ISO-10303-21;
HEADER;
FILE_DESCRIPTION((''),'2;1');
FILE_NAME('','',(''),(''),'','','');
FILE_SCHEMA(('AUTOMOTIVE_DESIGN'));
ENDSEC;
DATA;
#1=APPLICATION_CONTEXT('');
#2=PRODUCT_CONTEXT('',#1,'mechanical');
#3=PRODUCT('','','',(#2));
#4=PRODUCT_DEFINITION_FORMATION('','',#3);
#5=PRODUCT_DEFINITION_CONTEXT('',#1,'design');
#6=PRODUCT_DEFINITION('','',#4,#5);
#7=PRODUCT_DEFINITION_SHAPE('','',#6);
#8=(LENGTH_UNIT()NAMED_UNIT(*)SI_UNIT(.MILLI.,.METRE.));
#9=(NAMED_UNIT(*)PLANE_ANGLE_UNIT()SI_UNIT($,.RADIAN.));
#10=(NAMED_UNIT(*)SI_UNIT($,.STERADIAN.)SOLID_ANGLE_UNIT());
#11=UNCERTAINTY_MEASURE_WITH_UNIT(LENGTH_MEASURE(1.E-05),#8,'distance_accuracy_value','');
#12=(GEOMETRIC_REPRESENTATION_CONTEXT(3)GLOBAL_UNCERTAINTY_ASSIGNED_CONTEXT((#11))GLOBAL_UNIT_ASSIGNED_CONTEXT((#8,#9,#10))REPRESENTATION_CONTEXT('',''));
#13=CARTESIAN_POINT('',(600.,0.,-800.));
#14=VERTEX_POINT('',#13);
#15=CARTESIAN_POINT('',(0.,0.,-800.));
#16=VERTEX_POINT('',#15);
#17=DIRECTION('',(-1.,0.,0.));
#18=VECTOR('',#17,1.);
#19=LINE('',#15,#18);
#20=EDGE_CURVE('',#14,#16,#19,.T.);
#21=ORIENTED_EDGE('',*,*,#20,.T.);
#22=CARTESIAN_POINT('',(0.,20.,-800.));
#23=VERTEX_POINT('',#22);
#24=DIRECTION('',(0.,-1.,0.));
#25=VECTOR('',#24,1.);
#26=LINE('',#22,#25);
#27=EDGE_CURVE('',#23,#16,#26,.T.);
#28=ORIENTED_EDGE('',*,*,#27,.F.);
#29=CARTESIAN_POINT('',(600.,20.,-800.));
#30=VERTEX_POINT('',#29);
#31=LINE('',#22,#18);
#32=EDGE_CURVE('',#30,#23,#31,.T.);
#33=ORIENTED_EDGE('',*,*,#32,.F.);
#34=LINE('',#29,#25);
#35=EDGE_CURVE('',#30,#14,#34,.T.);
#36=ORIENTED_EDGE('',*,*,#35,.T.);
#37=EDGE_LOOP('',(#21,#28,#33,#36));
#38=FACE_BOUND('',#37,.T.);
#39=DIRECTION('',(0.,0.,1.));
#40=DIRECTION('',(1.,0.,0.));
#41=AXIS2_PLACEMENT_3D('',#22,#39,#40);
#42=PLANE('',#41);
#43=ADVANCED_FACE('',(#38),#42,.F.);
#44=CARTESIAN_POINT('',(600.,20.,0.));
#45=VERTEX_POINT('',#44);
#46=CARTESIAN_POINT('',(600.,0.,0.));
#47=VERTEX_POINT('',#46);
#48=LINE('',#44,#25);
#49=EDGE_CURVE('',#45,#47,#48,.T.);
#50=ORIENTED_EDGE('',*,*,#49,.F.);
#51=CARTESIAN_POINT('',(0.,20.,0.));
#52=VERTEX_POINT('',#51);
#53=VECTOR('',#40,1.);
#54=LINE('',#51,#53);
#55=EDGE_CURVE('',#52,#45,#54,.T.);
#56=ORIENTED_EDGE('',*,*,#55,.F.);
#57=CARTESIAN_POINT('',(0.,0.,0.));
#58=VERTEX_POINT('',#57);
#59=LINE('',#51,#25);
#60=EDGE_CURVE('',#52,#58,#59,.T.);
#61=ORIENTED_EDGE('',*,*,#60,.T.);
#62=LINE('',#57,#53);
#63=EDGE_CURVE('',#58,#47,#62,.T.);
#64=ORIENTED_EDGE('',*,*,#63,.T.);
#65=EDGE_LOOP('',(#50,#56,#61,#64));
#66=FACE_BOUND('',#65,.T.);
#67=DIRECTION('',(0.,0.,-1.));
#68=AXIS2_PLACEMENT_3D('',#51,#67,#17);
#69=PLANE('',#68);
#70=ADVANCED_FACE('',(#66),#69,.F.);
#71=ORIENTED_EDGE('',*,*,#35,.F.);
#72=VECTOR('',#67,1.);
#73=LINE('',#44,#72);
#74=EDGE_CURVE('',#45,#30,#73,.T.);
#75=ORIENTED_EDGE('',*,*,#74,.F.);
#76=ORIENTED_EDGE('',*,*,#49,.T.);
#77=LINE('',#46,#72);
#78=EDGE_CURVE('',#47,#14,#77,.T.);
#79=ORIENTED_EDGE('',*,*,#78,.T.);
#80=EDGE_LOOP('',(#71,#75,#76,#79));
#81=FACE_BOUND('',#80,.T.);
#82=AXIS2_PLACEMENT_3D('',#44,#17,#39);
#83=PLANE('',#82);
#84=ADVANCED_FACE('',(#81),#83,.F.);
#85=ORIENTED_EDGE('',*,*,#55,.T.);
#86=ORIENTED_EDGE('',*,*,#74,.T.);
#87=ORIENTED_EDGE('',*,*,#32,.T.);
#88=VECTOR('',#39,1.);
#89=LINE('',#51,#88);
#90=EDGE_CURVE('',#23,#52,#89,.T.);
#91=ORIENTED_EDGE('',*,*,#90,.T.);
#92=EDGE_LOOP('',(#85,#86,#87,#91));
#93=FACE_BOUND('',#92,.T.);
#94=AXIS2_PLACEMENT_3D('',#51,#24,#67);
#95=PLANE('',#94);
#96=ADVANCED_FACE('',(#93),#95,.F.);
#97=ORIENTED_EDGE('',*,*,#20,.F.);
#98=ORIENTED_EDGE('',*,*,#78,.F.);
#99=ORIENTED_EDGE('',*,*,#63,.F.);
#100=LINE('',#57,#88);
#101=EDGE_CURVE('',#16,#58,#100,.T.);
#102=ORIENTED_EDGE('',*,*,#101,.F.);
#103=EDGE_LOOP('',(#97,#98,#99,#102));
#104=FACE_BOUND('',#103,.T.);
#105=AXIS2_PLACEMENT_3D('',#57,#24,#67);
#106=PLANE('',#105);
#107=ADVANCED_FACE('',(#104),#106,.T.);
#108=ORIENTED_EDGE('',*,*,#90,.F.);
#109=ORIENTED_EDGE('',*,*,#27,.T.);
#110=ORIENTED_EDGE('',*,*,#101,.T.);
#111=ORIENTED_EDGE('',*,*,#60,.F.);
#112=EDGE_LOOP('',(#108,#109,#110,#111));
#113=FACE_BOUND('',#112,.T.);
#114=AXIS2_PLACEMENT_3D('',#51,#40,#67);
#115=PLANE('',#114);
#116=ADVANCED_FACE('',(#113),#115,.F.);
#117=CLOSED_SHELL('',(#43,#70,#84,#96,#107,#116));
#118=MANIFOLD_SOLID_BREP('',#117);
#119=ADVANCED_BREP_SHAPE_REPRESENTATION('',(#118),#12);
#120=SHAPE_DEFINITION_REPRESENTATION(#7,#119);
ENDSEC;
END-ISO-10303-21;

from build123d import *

# Parameters (mm, degrees)
ESQUISSE1_W        = 600
ESQUISSE1_H        = 800
BOSS_EXTRU_1_DEPTH = 20


with BuildPart() as part:
    # Esquisse1 → Boss.-Extru.1 (new body)
    with BuildSketch(Plane(origin=(0, 0, 0), x_dir=(1, 0, 0), z_dir=(0, 1, 0))):
        with Locations((300, 400)):
            Rectangle(ESQUISSE1_W, ESQUISSE1_H)
    extrude(amount=BOSS_EXTRU_1_DEPTH)


solid = part.part
